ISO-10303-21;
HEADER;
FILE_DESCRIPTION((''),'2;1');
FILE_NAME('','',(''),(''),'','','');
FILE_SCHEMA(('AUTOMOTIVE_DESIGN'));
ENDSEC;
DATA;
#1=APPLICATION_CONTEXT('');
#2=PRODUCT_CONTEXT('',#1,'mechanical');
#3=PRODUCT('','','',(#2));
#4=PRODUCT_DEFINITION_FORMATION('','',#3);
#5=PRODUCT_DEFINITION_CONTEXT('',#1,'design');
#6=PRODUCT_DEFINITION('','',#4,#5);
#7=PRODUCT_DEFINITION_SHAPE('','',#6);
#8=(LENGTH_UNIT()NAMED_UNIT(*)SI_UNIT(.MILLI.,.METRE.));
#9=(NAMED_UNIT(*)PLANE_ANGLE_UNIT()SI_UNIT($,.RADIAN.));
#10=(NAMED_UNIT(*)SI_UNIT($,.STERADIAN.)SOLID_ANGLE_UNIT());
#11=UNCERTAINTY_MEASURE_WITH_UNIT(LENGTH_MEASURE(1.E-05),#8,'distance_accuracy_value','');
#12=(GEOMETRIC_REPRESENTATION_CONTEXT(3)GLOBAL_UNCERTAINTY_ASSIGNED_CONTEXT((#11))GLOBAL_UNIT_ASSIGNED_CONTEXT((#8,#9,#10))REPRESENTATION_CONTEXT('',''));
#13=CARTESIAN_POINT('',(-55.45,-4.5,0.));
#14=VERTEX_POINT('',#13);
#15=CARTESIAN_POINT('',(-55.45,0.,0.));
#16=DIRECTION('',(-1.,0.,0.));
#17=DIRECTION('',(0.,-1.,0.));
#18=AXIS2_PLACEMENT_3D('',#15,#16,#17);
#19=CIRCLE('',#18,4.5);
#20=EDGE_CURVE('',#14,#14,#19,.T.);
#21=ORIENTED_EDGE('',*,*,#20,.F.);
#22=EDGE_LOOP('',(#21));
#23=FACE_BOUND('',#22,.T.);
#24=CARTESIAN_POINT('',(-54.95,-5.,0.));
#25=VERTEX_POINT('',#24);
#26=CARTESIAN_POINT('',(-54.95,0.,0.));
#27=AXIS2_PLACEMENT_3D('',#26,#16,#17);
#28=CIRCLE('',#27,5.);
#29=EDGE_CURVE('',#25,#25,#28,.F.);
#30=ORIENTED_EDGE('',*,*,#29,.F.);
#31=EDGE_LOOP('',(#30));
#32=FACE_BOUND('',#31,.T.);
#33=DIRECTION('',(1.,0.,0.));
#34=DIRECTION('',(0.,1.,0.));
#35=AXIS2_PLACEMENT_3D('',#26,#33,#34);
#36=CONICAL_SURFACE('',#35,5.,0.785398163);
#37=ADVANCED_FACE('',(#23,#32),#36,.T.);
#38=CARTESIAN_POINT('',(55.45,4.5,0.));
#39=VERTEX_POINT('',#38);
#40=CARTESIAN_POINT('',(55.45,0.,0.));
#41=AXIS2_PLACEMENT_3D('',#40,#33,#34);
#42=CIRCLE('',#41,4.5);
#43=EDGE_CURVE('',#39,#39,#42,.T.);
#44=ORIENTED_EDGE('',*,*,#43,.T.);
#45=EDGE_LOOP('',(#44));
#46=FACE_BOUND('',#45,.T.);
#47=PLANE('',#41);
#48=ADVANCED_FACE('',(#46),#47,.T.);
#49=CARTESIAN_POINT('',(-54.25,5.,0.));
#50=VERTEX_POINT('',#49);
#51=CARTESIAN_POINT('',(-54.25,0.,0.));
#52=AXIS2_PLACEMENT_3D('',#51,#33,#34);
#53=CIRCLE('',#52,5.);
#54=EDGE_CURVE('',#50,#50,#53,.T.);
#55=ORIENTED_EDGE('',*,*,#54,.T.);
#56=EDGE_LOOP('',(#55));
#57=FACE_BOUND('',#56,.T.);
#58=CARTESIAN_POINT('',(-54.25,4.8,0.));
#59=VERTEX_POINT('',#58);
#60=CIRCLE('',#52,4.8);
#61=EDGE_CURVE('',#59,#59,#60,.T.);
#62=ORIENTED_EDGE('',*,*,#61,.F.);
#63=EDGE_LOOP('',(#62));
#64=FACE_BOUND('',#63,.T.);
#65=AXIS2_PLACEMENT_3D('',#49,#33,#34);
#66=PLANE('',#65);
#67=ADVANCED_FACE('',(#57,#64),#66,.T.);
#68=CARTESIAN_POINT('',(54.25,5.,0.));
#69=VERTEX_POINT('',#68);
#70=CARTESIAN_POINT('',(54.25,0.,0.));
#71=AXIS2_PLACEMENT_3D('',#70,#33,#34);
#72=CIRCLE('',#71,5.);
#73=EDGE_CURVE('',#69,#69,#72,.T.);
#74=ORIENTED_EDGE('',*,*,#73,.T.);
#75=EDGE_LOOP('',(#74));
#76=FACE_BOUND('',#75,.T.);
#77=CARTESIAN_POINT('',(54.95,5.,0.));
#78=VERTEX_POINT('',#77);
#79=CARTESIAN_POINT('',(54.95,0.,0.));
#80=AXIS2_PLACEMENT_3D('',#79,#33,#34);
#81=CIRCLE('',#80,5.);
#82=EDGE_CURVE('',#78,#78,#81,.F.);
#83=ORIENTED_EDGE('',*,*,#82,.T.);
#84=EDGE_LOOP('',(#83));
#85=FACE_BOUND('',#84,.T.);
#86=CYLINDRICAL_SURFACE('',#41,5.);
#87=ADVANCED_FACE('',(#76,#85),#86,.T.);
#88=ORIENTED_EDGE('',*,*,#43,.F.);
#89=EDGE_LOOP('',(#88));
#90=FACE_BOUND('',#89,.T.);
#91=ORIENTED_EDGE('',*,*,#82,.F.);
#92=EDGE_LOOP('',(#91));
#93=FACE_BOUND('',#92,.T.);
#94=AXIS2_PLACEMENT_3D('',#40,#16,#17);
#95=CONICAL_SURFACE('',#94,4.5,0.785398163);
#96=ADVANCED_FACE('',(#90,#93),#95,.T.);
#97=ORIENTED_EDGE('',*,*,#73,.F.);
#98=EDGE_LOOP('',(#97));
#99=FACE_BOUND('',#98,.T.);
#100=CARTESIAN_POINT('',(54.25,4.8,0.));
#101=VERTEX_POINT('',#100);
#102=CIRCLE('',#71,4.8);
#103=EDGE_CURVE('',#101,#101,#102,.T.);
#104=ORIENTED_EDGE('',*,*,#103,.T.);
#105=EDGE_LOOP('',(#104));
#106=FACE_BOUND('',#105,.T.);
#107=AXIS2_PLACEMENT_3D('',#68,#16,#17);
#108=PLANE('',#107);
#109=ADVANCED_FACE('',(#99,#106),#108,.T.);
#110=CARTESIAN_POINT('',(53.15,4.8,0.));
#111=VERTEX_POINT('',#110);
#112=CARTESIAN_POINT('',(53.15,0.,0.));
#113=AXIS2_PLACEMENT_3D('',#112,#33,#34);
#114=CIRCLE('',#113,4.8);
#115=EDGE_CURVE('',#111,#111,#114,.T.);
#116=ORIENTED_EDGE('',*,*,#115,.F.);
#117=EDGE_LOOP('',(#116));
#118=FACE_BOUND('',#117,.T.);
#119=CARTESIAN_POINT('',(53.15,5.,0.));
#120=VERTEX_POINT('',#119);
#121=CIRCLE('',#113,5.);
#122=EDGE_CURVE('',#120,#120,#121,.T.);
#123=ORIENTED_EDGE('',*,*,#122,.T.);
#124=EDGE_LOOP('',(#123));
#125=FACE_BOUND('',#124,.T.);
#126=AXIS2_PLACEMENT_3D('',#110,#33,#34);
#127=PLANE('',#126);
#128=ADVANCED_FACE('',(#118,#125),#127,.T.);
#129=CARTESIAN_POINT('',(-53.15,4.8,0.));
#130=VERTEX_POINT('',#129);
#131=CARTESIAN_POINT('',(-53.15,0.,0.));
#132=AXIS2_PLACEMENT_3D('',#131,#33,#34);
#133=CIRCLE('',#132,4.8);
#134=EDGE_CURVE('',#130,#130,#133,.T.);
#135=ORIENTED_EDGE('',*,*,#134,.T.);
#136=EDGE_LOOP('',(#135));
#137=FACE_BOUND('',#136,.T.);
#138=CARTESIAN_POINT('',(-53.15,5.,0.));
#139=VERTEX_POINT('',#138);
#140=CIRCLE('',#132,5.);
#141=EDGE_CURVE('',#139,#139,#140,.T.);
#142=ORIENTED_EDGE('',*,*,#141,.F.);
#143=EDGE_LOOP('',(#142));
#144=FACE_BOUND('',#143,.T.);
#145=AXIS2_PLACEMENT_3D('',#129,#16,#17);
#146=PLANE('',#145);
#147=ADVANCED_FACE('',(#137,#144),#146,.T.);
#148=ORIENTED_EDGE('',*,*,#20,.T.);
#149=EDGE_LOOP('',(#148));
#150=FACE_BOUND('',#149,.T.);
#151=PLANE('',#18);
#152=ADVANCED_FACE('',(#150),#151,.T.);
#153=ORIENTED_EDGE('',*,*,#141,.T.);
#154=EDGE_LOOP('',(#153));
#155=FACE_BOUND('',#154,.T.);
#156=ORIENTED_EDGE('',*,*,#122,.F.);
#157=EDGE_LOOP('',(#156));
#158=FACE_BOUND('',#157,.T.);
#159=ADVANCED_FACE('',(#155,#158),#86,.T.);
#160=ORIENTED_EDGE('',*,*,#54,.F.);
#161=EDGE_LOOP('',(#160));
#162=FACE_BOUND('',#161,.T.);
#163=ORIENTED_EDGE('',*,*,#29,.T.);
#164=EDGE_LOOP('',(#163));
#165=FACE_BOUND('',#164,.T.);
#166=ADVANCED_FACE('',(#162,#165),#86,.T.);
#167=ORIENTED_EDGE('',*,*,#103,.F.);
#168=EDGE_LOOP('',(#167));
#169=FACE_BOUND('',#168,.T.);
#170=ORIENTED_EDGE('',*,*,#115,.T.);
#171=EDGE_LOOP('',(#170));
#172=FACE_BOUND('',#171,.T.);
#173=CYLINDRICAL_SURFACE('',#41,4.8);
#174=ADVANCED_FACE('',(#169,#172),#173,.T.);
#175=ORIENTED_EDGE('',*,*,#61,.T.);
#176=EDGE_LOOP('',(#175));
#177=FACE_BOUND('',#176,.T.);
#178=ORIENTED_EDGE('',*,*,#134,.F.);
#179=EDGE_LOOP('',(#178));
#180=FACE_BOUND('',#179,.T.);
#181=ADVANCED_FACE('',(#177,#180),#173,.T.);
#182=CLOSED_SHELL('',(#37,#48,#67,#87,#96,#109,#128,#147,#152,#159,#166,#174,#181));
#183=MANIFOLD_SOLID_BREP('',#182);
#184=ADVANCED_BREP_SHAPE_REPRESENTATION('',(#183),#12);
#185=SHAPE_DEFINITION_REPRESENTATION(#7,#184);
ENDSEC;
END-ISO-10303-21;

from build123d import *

# Parameters (mm, degrees)
CHAMFER_1_SIZE = 0.5


with BuildPart() as part:
    # 草图1 → 旋转1 (revolve)
    with BuildSketch(Plane.XY):
        Polygon((55.45, 0), (55.45, 5), (54.25, 5), (54.25, 4.8), (53.15, 4.8), (53.15, 5), (-53.15, 5), (-53.15, 4.8), (-54.25, 4.8), (-54.25, 5), (-55.45, 5), (-55.45, 0), align=None)
    revolve(axis=Axis((55.45, 0, 0), (-1, 0, 0)))

    # 倒角1
    chamfer_1_edges = [part.edges().sort_by_distance(p)[0] for p in [
        (-55.45, -5, 0),
        (55.45, -5, 0),
    ]]
    chamfer(chamfer_1_edges, length=CHAMFER_1_SIZE)


solid = part.part
